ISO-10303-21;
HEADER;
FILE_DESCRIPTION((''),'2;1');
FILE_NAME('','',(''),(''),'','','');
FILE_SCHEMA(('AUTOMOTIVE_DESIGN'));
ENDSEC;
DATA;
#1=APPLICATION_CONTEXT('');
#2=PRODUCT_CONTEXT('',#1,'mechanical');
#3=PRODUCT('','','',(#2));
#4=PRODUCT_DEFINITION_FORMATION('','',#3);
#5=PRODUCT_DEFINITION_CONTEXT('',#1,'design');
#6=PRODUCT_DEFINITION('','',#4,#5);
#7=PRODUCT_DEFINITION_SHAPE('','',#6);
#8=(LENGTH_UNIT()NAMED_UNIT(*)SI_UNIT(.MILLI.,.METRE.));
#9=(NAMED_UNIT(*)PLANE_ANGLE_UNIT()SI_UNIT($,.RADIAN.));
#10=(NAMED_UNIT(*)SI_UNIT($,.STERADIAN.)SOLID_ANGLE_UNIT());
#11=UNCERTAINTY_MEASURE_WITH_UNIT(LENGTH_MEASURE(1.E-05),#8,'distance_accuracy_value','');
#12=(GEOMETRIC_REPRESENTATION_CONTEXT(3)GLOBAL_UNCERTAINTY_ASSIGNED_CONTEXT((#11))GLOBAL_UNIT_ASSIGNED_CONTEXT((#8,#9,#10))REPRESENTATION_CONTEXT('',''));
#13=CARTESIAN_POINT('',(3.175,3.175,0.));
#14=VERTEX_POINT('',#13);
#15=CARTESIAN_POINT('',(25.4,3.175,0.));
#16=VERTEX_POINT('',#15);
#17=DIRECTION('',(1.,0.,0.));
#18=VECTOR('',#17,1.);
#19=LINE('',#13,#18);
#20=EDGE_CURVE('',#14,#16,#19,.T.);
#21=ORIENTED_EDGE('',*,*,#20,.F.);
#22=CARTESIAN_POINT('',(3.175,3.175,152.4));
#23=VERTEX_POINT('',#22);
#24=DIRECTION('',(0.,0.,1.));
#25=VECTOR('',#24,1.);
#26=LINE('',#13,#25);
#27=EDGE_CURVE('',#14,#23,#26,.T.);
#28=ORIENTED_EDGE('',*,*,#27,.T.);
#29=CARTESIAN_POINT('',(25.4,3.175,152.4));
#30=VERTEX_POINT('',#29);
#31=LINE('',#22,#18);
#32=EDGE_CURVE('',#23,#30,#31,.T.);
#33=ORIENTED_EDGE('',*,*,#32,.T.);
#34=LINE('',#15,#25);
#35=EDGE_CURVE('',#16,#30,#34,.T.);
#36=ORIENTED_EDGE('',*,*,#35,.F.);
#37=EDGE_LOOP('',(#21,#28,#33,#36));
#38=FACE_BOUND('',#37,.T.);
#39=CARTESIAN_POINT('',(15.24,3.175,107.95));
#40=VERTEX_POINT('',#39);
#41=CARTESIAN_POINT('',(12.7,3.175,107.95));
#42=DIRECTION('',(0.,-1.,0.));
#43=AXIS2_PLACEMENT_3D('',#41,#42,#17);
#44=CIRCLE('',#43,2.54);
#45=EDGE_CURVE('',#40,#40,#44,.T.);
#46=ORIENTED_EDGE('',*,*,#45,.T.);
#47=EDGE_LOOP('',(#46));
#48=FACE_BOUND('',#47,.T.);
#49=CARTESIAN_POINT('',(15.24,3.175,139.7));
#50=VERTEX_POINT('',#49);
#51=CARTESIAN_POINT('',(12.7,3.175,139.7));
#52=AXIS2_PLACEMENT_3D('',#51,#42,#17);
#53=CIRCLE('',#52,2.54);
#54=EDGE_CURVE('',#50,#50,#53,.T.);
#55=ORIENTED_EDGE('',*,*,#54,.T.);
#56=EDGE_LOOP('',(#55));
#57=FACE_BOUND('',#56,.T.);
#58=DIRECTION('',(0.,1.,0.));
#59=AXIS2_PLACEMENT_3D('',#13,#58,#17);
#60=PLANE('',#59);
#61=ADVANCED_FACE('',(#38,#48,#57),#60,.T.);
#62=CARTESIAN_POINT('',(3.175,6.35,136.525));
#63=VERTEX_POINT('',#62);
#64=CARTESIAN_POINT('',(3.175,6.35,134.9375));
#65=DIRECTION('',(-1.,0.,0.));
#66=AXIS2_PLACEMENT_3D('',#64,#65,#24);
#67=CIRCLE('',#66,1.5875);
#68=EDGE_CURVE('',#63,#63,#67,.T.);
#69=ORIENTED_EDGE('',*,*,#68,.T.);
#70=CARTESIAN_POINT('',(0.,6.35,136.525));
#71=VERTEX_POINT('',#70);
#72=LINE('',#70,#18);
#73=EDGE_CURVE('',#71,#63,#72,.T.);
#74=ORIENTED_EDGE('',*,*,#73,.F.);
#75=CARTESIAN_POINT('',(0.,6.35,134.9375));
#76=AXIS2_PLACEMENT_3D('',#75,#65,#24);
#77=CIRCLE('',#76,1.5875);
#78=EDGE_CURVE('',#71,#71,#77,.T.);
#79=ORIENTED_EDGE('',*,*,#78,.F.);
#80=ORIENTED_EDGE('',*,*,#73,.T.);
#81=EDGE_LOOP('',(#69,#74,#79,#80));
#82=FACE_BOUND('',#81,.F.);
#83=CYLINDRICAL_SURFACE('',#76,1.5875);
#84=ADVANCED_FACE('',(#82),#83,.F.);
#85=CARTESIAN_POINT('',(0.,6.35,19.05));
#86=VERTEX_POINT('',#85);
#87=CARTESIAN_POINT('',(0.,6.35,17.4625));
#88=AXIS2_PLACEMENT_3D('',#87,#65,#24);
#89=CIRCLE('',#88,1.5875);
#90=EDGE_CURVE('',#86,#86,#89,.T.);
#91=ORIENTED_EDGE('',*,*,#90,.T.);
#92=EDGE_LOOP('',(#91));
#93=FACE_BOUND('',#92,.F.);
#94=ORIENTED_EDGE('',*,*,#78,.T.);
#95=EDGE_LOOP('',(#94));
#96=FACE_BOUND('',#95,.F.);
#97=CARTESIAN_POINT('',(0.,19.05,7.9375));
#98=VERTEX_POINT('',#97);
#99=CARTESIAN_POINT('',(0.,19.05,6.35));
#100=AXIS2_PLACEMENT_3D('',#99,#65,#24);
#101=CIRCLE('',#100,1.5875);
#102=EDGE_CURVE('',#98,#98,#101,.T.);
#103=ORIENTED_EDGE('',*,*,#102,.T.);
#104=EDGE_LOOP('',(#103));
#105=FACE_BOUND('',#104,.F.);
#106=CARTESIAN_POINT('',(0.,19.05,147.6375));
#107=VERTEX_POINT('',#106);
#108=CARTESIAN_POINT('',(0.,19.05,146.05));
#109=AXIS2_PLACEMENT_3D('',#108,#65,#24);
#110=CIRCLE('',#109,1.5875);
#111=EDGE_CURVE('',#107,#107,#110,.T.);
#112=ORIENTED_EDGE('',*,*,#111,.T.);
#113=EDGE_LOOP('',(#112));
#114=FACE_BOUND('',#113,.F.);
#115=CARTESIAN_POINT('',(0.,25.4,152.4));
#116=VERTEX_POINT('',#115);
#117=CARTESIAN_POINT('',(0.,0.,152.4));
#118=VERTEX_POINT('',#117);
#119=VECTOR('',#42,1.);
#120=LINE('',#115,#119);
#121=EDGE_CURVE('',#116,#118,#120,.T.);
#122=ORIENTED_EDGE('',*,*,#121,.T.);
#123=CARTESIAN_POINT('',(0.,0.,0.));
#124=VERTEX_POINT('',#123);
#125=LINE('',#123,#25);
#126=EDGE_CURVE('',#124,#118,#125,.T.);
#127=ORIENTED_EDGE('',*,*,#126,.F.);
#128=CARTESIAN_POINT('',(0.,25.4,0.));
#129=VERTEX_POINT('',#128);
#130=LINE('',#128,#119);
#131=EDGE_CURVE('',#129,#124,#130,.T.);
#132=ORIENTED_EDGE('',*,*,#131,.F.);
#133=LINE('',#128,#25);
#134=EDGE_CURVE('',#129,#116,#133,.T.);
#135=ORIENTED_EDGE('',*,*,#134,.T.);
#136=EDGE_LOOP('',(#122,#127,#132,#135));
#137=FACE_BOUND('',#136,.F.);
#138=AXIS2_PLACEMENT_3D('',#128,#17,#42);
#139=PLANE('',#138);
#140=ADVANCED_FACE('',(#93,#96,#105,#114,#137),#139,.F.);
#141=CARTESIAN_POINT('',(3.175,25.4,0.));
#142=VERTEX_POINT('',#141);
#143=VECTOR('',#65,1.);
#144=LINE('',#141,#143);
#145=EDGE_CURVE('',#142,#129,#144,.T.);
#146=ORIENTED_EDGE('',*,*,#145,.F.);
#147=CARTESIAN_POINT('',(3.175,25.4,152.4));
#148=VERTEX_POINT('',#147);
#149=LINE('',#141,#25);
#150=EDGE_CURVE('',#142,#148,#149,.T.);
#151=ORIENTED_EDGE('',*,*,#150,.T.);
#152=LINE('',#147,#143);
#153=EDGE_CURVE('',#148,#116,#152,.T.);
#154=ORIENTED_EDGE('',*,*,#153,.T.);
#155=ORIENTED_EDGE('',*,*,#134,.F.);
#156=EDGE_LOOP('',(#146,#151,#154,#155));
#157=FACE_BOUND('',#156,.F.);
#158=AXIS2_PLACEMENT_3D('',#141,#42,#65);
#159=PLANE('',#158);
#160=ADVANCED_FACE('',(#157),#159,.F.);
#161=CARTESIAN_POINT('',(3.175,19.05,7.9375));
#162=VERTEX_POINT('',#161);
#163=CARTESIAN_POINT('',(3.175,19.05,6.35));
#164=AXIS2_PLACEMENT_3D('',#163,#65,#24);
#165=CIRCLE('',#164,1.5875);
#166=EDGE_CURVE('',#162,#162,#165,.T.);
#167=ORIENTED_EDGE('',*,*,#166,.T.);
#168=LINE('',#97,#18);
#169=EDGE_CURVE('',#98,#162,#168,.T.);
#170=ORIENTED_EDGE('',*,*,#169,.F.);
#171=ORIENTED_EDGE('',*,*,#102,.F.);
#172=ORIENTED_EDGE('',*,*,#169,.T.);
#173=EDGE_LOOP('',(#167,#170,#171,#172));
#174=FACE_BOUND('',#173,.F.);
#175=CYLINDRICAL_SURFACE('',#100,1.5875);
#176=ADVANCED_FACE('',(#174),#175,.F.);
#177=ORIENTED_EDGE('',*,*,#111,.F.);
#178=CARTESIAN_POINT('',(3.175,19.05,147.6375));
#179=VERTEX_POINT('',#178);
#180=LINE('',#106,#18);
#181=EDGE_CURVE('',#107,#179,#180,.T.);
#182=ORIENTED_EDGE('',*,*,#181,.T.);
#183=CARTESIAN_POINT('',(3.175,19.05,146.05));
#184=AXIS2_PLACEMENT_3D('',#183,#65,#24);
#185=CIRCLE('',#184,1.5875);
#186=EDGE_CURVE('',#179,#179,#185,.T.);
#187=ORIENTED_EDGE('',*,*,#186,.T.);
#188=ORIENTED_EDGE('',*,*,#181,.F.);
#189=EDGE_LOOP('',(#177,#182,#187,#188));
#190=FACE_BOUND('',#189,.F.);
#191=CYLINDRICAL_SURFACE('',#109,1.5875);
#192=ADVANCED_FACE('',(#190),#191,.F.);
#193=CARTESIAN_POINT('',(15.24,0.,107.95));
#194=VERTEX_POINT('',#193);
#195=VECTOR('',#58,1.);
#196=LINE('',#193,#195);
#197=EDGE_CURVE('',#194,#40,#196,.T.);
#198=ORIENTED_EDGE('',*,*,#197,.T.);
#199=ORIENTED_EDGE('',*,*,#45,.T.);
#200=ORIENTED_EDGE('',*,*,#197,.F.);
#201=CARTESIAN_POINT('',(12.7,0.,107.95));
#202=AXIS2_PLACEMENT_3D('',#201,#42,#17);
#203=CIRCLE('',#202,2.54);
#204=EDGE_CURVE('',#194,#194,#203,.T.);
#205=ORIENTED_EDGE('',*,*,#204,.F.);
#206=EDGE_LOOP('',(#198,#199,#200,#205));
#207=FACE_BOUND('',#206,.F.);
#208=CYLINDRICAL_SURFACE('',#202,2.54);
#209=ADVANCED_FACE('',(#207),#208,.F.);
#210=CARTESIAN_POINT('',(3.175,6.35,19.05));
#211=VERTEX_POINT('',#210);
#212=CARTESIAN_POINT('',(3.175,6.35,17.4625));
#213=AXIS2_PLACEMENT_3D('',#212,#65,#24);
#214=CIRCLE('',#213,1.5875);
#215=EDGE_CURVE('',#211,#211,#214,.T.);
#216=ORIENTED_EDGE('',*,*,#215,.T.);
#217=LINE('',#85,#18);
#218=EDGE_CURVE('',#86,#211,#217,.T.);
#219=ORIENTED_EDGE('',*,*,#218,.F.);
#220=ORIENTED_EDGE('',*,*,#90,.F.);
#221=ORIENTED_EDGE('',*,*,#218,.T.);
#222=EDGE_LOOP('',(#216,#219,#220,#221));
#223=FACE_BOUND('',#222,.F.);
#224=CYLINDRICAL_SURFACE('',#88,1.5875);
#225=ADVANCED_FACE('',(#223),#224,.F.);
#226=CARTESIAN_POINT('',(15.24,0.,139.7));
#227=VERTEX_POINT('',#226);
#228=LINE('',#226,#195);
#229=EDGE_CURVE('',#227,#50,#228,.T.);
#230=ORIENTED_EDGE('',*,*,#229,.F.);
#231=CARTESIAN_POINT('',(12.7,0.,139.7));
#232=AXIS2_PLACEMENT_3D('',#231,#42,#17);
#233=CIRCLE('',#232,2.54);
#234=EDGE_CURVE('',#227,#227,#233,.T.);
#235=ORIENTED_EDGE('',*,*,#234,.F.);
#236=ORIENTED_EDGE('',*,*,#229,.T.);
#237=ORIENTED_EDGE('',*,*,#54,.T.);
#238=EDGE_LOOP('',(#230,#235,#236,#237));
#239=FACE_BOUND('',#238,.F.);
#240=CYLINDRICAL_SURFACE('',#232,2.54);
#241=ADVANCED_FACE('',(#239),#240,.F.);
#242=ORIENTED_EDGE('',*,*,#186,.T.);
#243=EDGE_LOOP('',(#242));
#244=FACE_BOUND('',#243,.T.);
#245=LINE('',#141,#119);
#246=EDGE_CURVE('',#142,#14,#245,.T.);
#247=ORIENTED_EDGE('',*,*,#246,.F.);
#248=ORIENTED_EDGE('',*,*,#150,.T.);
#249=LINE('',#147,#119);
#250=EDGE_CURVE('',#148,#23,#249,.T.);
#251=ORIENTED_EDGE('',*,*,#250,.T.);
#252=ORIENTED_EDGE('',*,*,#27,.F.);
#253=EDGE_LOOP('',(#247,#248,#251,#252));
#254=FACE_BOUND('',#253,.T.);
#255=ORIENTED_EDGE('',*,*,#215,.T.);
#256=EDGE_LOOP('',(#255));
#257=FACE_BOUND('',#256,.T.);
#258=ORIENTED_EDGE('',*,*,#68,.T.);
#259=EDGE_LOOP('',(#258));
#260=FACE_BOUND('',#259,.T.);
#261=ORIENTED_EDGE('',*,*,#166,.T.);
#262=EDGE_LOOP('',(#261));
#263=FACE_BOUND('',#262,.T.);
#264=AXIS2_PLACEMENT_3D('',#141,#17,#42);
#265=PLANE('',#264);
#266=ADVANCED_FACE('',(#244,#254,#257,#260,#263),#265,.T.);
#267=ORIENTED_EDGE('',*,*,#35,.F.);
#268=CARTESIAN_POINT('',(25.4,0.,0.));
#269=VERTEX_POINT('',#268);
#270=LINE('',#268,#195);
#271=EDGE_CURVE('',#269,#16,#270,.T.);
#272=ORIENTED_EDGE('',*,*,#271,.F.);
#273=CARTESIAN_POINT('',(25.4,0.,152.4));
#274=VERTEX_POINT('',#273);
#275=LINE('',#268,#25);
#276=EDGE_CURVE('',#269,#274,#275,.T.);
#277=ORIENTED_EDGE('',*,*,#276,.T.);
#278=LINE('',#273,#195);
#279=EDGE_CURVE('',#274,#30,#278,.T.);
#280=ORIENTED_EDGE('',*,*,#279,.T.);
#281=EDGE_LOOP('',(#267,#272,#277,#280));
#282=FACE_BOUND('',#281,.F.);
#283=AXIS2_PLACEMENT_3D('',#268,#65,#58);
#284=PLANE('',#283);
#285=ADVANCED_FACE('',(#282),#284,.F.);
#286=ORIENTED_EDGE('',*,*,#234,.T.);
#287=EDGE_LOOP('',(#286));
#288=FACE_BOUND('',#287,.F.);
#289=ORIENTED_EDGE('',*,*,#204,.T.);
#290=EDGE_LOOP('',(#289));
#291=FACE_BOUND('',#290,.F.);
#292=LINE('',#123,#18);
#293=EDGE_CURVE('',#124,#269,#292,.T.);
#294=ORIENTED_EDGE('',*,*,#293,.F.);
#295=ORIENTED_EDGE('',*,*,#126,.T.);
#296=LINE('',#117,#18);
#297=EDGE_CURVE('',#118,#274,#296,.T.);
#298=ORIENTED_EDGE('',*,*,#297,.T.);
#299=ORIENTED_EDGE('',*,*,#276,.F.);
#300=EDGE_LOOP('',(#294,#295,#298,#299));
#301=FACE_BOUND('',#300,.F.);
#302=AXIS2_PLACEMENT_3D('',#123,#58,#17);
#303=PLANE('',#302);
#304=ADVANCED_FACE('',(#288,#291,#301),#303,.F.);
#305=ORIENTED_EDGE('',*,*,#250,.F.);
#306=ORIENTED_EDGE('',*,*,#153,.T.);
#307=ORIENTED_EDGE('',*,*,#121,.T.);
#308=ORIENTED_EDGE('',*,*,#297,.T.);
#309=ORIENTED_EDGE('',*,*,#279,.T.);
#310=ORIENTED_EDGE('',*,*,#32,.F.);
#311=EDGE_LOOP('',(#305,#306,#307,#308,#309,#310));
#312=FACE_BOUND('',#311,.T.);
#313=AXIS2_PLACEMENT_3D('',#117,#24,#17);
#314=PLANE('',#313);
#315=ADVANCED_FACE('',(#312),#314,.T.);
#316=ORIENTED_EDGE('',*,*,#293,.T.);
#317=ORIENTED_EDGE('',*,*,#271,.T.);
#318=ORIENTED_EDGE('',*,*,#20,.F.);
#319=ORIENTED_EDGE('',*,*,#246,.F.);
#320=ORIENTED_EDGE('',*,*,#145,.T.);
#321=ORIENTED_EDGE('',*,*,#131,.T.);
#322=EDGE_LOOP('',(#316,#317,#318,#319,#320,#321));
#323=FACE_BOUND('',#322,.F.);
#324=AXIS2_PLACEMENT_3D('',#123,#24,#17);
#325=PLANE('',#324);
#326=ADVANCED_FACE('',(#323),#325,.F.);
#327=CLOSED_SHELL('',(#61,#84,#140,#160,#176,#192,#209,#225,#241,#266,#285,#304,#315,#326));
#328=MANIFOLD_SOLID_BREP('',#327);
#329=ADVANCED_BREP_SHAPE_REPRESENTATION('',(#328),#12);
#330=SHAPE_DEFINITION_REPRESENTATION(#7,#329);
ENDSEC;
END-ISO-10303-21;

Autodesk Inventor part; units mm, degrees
ref_plane "YZ Plane" through (0, 0, 0) normal (1, 0, 0) x (0, 1, 0)
ref_plane "XZ Plane" through (0, 0, 0) normal (0, 1, 0) x (-1, 0, 0)
ref_plane "XY Plane" through (0, 0, 0) normal (0, 0, 1) x (1, 0, 0)
sketch "Sketch1" plane through (0, 0, 0) normal (0, 0, 1) x (1, 0, 0)
  line L0 (0, 0) -> (25.4, 0)
  line L1 (25.4, 0) -> (25.4, 3.175)
  line L2 (3.175, 25.4) -> (0, 25.4)
  line L3 (0, 25.4) -> (0, 0)
  line L4 (3.175, 25.4) -> (3.175, 3.175)
  line L5 (3.175, 3.175) -> (25.4, 3.175)
  dimension "d0" = 25.4
  dimension "d1" = 25.4
  dimension "d2" = 3.175
  dimension "d3" = 3.175
extrude "Extrusion1" add sketch "Sketch1" along normal blind 152.4
sketch "Sketch3" plane through (0, 0, 0) normal (0, -1, 0) x (1, 0, 0)
  line L0 (25.4, 152.4) -> (0, 152.4) projected
  line L1 (0, 0) -> (0, 152.4) projected
  circle A0 centre (12.7, 107.95) radius 2.54
  circle A1 centre (12.7, 139.7) radius 2.54
  dimension "d20" = 12.7
  dimension "d21" = 31.75
  dimension "d22" = 5.08
  dimension "d23" = 12.7
extrude "Extrusion4" cut sketch "Sketch3" against normal blind 25.4
sketch "Sketch4" plane through (0, 0, 0) normal (-1, 0, 0) x (0, 0, 1)
  line L0 (0, 25.4) -> (0, 0) projected
  line L1 (0, 0) -> (152.4, 0) projected
  circle A0 centre (6.35, 19.05) radius 1.5875
  circle A1 centre (17.4625, 6.35) radius 1.5875
  line L2 (0, 25.4) -> (152.4, 25.4) projected
  line L3 (76.2, 25.4) -> (76.2, 0)
  circle A2 centre (146.05, 19.05) radius 1.5875
  circle A3 centre (134.9375, 6.35) radius 1.5875
  dimension "d26" = 6.35
  dimension "d27" = 19.05
  dimension "d28" = 3.175
  dimension "d29" = 6.35
  dimension "d30" = 17.4625
extrude "Extrusion5" cut sketch "Sketch4" against normal blind 25.4 contours A0 | A1 | A2 | A3
equation "\"d2\" = d3"
properties part number "8 ball corner L"
